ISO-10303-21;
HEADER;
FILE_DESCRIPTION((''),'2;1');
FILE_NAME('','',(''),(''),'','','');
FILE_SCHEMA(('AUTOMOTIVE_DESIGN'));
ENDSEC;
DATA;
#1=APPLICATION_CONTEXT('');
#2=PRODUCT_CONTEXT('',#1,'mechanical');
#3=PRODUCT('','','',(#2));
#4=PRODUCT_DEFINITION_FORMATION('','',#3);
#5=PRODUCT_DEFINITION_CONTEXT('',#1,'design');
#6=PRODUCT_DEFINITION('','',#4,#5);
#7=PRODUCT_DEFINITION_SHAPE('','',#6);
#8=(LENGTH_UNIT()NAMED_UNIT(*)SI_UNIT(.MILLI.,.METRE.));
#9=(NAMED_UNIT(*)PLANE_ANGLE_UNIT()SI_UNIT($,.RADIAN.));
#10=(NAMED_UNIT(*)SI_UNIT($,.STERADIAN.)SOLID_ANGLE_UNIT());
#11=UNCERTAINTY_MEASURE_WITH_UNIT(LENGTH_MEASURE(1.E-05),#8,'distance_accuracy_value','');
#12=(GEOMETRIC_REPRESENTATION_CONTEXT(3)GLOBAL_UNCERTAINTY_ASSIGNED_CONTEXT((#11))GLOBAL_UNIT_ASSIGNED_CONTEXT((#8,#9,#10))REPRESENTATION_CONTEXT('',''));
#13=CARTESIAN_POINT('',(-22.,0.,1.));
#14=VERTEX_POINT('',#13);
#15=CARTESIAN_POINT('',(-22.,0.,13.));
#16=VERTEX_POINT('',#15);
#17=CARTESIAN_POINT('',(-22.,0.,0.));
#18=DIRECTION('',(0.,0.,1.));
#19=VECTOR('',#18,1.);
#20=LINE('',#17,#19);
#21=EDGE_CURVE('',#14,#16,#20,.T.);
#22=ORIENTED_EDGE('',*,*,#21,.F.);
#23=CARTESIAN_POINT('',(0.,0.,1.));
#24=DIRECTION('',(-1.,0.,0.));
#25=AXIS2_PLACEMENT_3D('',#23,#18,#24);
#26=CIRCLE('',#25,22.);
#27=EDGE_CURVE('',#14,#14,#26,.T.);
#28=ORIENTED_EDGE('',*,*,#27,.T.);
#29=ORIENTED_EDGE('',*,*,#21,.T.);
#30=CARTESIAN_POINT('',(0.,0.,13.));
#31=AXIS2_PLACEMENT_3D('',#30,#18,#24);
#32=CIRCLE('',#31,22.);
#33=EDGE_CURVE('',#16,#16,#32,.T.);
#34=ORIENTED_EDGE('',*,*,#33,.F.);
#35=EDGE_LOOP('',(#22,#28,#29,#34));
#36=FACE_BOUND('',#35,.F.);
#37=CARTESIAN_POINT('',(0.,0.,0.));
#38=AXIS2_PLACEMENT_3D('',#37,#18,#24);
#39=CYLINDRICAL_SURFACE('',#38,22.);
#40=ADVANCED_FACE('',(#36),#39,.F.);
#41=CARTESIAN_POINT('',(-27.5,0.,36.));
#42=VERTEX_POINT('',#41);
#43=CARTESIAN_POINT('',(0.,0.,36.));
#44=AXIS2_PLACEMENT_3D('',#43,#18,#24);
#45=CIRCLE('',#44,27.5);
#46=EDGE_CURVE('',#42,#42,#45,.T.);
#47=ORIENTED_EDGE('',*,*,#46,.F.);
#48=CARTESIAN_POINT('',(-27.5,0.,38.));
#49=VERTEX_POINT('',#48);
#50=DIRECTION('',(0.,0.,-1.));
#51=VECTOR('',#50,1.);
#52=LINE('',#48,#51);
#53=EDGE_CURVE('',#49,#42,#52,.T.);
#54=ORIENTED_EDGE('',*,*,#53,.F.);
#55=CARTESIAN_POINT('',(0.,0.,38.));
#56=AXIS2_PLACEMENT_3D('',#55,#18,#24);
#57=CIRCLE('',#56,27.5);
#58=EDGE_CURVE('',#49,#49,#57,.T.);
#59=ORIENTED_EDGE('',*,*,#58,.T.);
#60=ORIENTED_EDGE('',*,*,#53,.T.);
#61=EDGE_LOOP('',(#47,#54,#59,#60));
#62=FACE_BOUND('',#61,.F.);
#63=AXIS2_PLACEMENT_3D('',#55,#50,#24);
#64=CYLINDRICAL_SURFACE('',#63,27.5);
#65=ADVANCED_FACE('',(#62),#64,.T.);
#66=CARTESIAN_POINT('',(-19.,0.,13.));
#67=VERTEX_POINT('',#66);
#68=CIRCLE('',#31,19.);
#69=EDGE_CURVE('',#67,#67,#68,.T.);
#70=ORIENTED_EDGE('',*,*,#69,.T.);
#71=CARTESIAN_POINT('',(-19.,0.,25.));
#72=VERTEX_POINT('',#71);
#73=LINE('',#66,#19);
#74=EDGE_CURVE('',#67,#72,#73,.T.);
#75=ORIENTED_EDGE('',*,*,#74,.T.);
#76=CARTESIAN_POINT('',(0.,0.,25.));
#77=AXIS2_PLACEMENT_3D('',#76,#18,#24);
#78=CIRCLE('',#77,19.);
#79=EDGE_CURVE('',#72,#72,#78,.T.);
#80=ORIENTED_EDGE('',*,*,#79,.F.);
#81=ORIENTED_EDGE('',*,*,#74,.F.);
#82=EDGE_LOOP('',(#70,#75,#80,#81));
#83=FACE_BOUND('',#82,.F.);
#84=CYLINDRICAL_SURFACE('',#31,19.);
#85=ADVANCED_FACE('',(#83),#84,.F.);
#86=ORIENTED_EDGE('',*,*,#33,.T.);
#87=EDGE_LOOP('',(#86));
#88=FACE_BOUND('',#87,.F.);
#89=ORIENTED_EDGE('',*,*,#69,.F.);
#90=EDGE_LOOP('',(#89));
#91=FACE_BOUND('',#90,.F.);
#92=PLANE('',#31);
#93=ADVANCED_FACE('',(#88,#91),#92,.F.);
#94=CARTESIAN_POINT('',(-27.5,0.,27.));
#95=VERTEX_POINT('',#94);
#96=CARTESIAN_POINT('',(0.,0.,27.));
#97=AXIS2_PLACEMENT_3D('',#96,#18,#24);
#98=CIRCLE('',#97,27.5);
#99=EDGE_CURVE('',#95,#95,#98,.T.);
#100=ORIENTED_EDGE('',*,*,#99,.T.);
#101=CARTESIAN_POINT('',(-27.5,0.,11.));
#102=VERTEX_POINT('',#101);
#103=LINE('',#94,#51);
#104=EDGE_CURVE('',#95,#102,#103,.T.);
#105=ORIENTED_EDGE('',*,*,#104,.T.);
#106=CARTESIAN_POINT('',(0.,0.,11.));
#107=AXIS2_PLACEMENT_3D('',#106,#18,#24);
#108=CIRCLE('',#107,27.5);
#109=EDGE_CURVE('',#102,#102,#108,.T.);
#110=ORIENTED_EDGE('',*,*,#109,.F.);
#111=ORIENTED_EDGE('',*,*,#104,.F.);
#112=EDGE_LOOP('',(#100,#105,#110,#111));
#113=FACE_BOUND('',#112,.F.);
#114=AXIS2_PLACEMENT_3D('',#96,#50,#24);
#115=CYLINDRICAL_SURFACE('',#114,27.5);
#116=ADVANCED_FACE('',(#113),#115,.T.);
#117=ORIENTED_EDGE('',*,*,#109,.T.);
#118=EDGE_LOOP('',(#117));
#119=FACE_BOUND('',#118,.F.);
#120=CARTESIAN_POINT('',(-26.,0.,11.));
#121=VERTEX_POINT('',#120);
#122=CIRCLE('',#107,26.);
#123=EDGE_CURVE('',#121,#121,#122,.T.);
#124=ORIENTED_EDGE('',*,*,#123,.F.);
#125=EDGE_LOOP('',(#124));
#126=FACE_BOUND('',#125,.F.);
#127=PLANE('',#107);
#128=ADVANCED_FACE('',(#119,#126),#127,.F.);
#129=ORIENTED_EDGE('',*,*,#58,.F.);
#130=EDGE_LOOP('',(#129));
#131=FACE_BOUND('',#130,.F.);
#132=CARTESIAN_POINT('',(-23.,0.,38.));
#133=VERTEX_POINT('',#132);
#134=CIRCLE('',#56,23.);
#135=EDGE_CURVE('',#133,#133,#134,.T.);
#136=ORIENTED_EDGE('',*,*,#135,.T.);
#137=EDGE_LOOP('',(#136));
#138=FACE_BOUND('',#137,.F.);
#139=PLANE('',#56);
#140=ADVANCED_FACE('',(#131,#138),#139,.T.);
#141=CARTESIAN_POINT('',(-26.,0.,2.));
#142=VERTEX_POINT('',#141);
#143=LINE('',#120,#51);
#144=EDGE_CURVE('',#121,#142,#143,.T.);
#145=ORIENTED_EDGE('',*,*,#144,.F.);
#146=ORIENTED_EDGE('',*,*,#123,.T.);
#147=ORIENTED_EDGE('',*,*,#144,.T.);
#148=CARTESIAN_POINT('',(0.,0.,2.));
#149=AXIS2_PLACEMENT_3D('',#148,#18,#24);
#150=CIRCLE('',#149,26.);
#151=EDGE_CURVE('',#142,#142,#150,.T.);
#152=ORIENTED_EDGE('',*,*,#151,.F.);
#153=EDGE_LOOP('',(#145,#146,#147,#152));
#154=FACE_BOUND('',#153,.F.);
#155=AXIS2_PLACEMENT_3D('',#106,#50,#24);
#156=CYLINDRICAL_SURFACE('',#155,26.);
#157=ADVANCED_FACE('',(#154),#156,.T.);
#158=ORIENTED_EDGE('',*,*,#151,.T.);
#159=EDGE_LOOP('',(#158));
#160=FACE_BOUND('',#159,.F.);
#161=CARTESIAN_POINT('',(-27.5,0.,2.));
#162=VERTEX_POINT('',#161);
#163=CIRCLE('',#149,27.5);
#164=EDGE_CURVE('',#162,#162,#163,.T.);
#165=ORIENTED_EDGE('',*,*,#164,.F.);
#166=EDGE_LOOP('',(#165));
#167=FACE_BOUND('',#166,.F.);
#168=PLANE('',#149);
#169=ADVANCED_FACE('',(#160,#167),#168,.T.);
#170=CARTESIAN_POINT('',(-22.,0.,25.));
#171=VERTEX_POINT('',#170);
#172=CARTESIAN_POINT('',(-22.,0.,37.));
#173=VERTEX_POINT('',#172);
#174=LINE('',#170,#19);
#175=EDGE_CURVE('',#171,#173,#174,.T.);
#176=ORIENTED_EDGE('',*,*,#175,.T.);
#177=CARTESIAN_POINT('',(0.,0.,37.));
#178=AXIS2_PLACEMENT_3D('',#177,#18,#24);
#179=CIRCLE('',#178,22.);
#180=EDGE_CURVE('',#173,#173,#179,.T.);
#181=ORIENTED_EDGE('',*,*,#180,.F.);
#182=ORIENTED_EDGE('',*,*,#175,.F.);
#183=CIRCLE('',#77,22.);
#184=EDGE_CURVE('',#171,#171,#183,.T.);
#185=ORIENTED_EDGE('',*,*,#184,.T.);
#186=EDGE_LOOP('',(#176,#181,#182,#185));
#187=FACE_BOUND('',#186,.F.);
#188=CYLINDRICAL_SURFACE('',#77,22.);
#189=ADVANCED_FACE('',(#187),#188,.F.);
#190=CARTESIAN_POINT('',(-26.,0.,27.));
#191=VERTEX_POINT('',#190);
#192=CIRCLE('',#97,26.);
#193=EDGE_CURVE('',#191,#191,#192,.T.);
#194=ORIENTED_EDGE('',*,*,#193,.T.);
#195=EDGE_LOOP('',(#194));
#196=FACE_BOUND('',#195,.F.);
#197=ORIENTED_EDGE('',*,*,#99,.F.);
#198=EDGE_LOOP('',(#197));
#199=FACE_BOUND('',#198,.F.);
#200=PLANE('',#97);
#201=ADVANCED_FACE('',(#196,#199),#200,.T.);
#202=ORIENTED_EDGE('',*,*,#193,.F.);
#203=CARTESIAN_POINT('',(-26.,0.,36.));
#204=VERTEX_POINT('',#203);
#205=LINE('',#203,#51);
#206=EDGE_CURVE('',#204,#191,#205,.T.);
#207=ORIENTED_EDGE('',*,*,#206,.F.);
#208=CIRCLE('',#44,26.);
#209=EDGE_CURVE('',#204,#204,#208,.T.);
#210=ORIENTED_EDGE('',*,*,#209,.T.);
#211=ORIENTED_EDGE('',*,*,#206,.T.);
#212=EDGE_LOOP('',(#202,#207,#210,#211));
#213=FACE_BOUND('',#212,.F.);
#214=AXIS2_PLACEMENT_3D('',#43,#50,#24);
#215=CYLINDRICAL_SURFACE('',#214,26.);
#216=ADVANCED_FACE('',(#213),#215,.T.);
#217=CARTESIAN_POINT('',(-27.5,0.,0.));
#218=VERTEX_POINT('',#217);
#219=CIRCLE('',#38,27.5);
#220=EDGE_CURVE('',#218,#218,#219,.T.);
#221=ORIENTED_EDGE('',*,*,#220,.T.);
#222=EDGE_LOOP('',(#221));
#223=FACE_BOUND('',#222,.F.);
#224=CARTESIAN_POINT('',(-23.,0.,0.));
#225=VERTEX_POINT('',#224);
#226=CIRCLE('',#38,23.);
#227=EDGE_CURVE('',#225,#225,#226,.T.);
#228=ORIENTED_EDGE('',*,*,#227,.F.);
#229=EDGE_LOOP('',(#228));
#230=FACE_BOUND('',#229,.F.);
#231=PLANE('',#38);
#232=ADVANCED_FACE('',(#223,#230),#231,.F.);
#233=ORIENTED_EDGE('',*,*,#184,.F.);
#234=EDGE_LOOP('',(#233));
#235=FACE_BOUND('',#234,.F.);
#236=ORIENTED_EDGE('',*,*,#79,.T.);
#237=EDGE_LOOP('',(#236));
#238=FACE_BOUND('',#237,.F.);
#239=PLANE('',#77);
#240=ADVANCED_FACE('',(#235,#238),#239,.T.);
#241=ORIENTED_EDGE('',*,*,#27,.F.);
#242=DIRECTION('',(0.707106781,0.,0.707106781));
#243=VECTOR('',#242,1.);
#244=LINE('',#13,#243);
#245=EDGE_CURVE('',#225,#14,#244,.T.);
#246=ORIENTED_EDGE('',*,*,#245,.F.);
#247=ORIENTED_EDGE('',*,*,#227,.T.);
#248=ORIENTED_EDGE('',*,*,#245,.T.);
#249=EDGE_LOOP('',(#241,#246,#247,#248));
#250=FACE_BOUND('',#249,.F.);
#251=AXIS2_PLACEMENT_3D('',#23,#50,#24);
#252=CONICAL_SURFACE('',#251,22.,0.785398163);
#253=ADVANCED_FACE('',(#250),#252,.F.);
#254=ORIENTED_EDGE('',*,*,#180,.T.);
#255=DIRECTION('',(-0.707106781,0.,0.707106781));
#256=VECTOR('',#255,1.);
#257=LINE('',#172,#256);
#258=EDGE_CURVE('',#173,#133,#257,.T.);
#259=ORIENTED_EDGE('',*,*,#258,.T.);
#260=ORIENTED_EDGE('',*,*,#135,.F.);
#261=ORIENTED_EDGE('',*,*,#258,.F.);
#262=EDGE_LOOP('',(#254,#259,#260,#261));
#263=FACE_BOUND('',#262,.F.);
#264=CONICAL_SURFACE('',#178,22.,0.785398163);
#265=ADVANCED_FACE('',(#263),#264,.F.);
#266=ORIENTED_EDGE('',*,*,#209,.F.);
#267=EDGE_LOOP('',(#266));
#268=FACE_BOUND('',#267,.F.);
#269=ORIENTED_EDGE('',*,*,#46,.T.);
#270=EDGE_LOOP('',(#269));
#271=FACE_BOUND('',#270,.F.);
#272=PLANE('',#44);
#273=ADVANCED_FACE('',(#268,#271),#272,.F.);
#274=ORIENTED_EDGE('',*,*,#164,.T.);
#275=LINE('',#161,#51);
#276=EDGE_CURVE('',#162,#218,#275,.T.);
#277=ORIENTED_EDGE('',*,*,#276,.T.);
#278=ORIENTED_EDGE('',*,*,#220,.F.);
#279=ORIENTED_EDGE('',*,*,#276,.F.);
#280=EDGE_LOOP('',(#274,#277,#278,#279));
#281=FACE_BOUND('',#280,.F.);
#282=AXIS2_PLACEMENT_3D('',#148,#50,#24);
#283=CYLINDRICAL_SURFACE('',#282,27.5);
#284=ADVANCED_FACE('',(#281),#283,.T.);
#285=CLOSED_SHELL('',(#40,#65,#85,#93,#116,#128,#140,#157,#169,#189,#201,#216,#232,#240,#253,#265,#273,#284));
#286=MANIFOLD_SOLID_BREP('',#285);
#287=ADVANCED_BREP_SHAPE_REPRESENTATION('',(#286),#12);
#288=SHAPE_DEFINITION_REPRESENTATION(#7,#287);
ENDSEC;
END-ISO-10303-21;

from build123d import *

# Parameters (mm, degrees)
F2_SIZE = 1


with BuildPart() as f1:
    # F0 (on Front) → F1 (revolve)
    with BuildSketch(Plane.XZ):
        Polygon((-27.5, 0), (-22, 0), (-22, 13), (-19, 13), (-19, 25), (-22, 25), (-22, 38), (-27.5, 38), (-27.5, 36), (-26, 36), (-26, 27), (-27.5, 27), (-27.5, 11), (-26, 11), (-26, 2), (-27.5, 2), align=None)
    revolve(axis=Axis((0, 0, 48.059855), (0, 0, 1)))

    # F2
    f2_edges = [f1.edges().sort_by_distance(p)[0] for p in [
        (22, 0, 38),
        (22, 0, 0),
    ]]
    chamfer(f2_edges, length=F2_SIZE)


solid = f1.part
